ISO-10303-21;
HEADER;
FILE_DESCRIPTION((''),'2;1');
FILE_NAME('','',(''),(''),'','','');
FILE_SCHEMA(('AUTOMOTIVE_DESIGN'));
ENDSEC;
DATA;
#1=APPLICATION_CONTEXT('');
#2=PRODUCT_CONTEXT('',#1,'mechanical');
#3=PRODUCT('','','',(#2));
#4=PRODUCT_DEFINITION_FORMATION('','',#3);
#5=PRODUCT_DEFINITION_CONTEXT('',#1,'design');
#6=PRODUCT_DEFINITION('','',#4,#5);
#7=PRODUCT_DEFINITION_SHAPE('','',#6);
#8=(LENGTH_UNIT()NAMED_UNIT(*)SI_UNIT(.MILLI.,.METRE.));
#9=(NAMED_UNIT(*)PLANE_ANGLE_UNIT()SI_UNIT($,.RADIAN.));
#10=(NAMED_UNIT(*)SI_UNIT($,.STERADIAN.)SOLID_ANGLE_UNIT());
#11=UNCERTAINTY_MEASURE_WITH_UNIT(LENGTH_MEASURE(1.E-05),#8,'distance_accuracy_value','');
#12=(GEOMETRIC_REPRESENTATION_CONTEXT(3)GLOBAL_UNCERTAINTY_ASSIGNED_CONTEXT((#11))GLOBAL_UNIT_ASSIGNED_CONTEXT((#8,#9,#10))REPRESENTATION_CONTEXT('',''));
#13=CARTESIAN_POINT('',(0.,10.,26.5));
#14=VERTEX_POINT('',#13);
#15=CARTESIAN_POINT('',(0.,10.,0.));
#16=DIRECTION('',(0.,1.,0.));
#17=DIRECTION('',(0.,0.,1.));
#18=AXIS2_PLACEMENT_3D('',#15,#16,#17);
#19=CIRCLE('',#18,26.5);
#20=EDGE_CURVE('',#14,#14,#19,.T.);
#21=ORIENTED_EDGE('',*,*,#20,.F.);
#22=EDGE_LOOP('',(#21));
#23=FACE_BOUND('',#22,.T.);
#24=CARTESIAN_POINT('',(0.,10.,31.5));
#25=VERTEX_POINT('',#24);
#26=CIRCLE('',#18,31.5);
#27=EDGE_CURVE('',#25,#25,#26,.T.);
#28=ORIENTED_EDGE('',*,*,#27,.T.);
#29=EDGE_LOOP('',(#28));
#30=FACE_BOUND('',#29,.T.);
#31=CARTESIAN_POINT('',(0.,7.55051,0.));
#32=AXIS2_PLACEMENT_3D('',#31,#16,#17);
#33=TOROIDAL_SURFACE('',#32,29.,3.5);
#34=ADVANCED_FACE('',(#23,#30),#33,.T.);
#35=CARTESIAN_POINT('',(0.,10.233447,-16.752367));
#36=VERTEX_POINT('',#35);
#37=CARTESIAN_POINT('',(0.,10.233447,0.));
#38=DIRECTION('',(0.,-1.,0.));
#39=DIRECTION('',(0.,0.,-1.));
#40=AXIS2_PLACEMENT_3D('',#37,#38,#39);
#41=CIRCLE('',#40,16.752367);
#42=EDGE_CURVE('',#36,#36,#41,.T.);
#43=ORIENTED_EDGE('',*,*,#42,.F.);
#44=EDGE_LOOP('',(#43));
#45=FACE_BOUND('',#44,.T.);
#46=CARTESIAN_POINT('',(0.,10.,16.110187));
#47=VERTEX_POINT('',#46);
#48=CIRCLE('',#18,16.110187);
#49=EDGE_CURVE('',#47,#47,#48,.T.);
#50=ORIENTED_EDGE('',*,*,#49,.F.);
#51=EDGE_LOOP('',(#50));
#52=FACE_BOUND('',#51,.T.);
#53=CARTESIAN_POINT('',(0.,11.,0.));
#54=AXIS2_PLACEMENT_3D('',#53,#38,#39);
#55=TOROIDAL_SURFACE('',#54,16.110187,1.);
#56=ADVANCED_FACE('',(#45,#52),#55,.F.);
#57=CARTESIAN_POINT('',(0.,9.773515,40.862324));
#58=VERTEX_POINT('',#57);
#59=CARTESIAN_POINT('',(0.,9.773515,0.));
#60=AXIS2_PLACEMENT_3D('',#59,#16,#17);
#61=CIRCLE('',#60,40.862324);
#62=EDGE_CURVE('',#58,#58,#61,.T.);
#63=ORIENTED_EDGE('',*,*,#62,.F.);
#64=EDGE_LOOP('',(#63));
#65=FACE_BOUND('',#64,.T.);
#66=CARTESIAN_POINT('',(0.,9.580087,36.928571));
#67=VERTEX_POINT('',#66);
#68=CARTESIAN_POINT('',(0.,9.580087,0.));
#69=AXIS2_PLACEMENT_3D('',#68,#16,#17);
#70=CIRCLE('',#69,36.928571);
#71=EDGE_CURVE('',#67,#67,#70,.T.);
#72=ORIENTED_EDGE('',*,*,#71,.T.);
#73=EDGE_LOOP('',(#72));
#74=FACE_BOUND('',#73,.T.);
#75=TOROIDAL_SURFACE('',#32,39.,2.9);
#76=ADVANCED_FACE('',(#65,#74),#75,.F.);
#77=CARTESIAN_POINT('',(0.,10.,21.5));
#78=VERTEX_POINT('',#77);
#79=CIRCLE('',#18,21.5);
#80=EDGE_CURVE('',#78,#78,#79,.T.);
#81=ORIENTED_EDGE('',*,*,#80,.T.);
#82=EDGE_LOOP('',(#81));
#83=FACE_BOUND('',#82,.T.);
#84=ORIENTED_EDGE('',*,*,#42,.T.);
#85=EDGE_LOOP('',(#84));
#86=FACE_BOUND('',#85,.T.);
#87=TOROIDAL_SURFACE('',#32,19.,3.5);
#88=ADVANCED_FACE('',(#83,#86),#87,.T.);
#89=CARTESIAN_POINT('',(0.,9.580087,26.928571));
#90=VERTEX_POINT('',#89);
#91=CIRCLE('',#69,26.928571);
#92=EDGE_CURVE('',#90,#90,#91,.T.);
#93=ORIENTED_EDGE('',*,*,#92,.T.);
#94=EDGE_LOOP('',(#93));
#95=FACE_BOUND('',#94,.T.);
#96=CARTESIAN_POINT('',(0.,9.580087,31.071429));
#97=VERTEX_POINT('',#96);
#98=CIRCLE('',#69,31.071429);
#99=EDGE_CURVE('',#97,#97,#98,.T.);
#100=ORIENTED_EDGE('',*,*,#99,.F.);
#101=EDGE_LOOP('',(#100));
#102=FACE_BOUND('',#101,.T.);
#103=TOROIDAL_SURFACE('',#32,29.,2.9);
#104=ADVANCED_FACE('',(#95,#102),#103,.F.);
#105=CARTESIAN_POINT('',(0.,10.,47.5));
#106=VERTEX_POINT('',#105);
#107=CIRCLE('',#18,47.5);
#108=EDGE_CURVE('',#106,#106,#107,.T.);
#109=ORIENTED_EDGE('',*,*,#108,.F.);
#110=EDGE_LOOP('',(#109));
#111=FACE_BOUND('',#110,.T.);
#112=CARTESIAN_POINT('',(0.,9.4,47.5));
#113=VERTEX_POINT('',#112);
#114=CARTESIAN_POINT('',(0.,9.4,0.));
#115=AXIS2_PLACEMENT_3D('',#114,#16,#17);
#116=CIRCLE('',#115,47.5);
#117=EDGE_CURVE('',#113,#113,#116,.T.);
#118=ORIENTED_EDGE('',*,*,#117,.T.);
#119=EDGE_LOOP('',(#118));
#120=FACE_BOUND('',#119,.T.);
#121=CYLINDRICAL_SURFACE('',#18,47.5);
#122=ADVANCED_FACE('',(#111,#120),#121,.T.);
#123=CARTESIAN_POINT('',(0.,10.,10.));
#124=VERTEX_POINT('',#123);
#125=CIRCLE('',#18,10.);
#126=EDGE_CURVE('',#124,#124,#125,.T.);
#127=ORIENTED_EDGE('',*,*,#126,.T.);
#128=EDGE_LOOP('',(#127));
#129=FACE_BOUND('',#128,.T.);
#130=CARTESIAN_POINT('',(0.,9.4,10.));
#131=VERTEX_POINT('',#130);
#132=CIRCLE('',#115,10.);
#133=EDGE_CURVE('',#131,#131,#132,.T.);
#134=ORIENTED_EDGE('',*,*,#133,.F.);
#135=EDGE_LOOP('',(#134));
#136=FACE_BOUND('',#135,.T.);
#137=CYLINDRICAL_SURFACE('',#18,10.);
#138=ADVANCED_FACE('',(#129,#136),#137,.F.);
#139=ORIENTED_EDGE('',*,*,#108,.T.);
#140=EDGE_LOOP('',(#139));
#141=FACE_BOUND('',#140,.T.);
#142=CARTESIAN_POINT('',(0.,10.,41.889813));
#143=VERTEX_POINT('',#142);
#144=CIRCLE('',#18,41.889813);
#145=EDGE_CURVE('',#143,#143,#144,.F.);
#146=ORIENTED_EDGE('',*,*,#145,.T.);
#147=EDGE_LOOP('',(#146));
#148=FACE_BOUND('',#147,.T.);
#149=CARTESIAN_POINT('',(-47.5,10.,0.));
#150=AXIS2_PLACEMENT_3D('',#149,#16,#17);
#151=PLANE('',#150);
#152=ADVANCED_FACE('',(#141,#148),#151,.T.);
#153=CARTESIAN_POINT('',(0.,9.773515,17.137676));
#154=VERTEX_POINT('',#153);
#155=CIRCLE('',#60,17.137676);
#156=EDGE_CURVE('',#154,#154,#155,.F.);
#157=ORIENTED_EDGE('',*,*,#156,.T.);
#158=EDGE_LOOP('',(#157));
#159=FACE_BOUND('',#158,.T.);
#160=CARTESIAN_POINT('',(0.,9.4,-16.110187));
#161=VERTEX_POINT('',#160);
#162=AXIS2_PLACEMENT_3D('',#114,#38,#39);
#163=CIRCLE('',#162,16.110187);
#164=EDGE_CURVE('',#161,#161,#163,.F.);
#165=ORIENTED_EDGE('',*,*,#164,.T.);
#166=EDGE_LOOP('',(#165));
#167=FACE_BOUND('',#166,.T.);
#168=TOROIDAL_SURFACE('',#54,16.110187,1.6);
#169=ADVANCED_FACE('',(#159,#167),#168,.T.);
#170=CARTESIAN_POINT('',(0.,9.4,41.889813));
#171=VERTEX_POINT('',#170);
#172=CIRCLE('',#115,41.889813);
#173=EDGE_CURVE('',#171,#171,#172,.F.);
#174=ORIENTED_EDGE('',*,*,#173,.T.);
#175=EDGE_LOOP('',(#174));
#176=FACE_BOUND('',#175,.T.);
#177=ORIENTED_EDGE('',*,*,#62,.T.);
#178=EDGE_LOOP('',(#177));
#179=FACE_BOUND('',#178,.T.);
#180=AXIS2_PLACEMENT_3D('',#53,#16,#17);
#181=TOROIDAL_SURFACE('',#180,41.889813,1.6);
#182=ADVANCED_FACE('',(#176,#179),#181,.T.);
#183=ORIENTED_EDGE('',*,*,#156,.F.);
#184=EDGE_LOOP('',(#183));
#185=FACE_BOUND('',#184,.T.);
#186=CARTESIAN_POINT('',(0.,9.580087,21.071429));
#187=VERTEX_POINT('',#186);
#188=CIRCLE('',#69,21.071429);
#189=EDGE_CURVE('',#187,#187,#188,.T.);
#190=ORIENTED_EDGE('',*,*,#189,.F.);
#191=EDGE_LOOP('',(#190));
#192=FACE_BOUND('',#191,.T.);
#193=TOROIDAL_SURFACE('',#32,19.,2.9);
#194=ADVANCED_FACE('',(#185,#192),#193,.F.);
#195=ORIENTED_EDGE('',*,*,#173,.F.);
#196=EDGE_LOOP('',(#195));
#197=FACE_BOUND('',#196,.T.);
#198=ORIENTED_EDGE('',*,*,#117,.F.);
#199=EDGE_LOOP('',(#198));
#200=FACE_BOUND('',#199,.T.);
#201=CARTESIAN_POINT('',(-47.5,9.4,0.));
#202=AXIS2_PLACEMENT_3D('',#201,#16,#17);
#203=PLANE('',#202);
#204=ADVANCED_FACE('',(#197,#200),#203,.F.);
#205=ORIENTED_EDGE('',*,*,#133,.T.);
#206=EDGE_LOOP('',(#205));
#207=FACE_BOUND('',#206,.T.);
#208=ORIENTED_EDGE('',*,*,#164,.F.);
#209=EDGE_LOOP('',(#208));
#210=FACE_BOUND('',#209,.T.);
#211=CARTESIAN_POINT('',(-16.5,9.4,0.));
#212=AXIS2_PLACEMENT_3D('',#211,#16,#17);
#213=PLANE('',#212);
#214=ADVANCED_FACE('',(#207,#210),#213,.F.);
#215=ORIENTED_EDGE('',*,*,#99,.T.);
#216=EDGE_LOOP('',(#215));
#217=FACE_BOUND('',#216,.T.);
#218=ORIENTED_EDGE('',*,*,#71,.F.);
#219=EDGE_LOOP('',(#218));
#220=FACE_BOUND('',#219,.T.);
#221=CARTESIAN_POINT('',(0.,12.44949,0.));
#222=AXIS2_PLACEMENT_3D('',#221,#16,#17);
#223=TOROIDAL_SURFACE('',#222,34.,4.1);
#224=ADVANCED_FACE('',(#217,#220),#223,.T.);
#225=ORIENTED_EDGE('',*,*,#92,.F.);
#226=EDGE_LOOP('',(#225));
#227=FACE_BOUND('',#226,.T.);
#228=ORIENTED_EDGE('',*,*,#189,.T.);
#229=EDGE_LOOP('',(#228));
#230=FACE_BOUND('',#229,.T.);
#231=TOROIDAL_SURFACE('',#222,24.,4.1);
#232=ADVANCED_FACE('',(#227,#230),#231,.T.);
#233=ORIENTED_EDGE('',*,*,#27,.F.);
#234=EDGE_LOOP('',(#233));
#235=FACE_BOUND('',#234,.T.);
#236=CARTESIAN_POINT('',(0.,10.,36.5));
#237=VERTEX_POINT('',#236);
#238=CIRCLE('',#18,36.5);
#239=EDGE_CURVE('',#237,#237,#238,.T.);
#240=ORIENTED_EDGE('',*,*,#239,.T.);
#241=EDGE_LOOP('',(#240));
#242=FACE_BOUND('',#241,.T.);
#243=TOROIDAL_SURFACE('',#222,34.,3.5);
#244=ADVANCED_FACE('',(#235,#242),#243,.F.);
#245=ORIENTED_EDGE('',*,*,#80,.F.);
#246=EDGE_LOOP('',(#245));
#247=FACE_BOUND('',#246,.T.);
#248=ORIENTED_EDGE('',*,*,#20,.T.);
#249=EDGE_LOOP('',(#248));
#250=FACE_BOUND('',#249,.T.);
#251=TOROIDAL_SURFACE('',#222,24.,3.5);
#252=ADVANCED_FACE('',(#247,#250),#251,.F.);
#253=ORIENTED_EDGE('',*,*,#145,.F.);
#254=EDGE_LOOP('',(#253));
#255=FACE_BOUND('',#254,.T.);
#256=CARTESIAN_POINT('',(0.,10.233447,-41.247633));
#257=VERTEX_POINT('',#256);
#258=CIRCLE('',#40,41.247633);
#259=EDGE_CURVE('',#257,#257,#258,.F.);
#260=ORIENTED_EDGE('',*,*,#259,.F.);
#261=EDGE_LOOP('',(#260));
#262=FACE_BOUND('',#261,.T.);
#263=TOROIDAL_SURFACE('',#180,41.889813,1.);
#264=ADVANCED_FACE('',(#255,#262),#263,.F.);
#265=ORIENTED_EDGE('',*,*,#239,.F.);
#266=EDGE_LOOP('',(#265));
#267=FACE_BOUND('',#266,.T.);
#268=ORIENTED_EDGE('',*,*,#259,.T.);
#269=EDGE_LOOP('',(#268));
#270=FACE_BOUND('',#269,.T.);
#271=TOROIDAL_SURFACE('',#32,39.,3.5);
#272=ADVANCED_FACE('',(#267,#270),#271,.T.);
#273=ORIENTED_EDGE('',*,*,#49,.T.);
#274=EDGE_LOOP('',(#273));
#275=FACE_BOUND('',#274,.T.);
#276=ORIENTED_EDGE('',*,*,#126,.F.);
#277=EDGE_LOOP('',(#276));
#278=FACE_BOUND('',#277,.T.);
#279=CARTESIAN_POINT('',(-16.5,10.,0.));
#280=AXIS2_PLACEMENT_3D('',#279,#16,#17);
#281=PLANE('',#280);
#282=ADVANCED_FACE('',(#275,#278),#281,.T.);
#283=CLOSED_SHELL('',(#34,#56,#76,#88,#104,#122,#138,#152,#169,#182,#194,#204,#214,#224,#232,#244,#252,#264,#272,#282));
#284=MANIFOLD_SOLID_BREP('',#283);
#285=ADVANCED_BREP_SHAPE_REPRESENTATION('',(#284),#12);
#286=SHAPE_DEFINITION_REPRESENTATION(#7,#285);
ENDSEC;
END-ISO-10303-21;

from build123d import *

# Parameters (mm, degrees)
FILLET_1_R = 1
SHELL_1_T  = -0.6


with BuildPart() as part:
    # Эскиз1 → Повернуть1 (revolve)
    with BuildSketch(Plane.XY, mode=Mode.PRIVATE) as revolve_1_sk:
        with BuildLine():
            Line((-10, 0), (-47.5, 0))
            Line((-47.5, 0), (-47.5, 10))
            Line((-47.5, 10), (-41.5, 10))
            ThreePointArc((-41.5, 10), (-39, 11.050510257), (-36.5, 10))
            ThreePointArc((-36.5, 10), (-34, 8.949489743), (-31.5, 10))
            ThreePointArc((-31.5, 10), (-29, 11.050510257), (-26.5, 10))
            ThreePointArc((-26.5, 10), (-24, 8.949489743), (-21.5, 10))
            ThreePointArc((-21.5, 10), (-19, 11.050510257), (-16.5, 10))
            Line((-16.5, 10), (-10, 10))
            Line((-10, 10), (-10, 0))
        make_face()
    revolve(revolve_1_sk.sketch.rotate(Axis((0, 10, 0), (0, -1, 0)), 270), axis=Axis((0, 10, 0), (0, -1, 0)))

    # Скругление1
    fillet_1_edges = [part.edges().sort_by_distance(p)[0] for p in [
        (0, 10, -41.5),
        (0, 10, -16.5),
    ]]
    fillet(fillet_1_edges, radius=FILLET_1_R)

    # Оболочка1
    shell_1_openings = [part.faces().sort_by_distance(p)[0] for p in [
        (0, 5, -47.5),
        (0, 0, -11.343502884),
        (0, 5, -10),
    ]]
    offset(amount=SHELL_1_T, openings=shell_1_openings, kind=Kind.INTERSECTION)


solid = part.part
